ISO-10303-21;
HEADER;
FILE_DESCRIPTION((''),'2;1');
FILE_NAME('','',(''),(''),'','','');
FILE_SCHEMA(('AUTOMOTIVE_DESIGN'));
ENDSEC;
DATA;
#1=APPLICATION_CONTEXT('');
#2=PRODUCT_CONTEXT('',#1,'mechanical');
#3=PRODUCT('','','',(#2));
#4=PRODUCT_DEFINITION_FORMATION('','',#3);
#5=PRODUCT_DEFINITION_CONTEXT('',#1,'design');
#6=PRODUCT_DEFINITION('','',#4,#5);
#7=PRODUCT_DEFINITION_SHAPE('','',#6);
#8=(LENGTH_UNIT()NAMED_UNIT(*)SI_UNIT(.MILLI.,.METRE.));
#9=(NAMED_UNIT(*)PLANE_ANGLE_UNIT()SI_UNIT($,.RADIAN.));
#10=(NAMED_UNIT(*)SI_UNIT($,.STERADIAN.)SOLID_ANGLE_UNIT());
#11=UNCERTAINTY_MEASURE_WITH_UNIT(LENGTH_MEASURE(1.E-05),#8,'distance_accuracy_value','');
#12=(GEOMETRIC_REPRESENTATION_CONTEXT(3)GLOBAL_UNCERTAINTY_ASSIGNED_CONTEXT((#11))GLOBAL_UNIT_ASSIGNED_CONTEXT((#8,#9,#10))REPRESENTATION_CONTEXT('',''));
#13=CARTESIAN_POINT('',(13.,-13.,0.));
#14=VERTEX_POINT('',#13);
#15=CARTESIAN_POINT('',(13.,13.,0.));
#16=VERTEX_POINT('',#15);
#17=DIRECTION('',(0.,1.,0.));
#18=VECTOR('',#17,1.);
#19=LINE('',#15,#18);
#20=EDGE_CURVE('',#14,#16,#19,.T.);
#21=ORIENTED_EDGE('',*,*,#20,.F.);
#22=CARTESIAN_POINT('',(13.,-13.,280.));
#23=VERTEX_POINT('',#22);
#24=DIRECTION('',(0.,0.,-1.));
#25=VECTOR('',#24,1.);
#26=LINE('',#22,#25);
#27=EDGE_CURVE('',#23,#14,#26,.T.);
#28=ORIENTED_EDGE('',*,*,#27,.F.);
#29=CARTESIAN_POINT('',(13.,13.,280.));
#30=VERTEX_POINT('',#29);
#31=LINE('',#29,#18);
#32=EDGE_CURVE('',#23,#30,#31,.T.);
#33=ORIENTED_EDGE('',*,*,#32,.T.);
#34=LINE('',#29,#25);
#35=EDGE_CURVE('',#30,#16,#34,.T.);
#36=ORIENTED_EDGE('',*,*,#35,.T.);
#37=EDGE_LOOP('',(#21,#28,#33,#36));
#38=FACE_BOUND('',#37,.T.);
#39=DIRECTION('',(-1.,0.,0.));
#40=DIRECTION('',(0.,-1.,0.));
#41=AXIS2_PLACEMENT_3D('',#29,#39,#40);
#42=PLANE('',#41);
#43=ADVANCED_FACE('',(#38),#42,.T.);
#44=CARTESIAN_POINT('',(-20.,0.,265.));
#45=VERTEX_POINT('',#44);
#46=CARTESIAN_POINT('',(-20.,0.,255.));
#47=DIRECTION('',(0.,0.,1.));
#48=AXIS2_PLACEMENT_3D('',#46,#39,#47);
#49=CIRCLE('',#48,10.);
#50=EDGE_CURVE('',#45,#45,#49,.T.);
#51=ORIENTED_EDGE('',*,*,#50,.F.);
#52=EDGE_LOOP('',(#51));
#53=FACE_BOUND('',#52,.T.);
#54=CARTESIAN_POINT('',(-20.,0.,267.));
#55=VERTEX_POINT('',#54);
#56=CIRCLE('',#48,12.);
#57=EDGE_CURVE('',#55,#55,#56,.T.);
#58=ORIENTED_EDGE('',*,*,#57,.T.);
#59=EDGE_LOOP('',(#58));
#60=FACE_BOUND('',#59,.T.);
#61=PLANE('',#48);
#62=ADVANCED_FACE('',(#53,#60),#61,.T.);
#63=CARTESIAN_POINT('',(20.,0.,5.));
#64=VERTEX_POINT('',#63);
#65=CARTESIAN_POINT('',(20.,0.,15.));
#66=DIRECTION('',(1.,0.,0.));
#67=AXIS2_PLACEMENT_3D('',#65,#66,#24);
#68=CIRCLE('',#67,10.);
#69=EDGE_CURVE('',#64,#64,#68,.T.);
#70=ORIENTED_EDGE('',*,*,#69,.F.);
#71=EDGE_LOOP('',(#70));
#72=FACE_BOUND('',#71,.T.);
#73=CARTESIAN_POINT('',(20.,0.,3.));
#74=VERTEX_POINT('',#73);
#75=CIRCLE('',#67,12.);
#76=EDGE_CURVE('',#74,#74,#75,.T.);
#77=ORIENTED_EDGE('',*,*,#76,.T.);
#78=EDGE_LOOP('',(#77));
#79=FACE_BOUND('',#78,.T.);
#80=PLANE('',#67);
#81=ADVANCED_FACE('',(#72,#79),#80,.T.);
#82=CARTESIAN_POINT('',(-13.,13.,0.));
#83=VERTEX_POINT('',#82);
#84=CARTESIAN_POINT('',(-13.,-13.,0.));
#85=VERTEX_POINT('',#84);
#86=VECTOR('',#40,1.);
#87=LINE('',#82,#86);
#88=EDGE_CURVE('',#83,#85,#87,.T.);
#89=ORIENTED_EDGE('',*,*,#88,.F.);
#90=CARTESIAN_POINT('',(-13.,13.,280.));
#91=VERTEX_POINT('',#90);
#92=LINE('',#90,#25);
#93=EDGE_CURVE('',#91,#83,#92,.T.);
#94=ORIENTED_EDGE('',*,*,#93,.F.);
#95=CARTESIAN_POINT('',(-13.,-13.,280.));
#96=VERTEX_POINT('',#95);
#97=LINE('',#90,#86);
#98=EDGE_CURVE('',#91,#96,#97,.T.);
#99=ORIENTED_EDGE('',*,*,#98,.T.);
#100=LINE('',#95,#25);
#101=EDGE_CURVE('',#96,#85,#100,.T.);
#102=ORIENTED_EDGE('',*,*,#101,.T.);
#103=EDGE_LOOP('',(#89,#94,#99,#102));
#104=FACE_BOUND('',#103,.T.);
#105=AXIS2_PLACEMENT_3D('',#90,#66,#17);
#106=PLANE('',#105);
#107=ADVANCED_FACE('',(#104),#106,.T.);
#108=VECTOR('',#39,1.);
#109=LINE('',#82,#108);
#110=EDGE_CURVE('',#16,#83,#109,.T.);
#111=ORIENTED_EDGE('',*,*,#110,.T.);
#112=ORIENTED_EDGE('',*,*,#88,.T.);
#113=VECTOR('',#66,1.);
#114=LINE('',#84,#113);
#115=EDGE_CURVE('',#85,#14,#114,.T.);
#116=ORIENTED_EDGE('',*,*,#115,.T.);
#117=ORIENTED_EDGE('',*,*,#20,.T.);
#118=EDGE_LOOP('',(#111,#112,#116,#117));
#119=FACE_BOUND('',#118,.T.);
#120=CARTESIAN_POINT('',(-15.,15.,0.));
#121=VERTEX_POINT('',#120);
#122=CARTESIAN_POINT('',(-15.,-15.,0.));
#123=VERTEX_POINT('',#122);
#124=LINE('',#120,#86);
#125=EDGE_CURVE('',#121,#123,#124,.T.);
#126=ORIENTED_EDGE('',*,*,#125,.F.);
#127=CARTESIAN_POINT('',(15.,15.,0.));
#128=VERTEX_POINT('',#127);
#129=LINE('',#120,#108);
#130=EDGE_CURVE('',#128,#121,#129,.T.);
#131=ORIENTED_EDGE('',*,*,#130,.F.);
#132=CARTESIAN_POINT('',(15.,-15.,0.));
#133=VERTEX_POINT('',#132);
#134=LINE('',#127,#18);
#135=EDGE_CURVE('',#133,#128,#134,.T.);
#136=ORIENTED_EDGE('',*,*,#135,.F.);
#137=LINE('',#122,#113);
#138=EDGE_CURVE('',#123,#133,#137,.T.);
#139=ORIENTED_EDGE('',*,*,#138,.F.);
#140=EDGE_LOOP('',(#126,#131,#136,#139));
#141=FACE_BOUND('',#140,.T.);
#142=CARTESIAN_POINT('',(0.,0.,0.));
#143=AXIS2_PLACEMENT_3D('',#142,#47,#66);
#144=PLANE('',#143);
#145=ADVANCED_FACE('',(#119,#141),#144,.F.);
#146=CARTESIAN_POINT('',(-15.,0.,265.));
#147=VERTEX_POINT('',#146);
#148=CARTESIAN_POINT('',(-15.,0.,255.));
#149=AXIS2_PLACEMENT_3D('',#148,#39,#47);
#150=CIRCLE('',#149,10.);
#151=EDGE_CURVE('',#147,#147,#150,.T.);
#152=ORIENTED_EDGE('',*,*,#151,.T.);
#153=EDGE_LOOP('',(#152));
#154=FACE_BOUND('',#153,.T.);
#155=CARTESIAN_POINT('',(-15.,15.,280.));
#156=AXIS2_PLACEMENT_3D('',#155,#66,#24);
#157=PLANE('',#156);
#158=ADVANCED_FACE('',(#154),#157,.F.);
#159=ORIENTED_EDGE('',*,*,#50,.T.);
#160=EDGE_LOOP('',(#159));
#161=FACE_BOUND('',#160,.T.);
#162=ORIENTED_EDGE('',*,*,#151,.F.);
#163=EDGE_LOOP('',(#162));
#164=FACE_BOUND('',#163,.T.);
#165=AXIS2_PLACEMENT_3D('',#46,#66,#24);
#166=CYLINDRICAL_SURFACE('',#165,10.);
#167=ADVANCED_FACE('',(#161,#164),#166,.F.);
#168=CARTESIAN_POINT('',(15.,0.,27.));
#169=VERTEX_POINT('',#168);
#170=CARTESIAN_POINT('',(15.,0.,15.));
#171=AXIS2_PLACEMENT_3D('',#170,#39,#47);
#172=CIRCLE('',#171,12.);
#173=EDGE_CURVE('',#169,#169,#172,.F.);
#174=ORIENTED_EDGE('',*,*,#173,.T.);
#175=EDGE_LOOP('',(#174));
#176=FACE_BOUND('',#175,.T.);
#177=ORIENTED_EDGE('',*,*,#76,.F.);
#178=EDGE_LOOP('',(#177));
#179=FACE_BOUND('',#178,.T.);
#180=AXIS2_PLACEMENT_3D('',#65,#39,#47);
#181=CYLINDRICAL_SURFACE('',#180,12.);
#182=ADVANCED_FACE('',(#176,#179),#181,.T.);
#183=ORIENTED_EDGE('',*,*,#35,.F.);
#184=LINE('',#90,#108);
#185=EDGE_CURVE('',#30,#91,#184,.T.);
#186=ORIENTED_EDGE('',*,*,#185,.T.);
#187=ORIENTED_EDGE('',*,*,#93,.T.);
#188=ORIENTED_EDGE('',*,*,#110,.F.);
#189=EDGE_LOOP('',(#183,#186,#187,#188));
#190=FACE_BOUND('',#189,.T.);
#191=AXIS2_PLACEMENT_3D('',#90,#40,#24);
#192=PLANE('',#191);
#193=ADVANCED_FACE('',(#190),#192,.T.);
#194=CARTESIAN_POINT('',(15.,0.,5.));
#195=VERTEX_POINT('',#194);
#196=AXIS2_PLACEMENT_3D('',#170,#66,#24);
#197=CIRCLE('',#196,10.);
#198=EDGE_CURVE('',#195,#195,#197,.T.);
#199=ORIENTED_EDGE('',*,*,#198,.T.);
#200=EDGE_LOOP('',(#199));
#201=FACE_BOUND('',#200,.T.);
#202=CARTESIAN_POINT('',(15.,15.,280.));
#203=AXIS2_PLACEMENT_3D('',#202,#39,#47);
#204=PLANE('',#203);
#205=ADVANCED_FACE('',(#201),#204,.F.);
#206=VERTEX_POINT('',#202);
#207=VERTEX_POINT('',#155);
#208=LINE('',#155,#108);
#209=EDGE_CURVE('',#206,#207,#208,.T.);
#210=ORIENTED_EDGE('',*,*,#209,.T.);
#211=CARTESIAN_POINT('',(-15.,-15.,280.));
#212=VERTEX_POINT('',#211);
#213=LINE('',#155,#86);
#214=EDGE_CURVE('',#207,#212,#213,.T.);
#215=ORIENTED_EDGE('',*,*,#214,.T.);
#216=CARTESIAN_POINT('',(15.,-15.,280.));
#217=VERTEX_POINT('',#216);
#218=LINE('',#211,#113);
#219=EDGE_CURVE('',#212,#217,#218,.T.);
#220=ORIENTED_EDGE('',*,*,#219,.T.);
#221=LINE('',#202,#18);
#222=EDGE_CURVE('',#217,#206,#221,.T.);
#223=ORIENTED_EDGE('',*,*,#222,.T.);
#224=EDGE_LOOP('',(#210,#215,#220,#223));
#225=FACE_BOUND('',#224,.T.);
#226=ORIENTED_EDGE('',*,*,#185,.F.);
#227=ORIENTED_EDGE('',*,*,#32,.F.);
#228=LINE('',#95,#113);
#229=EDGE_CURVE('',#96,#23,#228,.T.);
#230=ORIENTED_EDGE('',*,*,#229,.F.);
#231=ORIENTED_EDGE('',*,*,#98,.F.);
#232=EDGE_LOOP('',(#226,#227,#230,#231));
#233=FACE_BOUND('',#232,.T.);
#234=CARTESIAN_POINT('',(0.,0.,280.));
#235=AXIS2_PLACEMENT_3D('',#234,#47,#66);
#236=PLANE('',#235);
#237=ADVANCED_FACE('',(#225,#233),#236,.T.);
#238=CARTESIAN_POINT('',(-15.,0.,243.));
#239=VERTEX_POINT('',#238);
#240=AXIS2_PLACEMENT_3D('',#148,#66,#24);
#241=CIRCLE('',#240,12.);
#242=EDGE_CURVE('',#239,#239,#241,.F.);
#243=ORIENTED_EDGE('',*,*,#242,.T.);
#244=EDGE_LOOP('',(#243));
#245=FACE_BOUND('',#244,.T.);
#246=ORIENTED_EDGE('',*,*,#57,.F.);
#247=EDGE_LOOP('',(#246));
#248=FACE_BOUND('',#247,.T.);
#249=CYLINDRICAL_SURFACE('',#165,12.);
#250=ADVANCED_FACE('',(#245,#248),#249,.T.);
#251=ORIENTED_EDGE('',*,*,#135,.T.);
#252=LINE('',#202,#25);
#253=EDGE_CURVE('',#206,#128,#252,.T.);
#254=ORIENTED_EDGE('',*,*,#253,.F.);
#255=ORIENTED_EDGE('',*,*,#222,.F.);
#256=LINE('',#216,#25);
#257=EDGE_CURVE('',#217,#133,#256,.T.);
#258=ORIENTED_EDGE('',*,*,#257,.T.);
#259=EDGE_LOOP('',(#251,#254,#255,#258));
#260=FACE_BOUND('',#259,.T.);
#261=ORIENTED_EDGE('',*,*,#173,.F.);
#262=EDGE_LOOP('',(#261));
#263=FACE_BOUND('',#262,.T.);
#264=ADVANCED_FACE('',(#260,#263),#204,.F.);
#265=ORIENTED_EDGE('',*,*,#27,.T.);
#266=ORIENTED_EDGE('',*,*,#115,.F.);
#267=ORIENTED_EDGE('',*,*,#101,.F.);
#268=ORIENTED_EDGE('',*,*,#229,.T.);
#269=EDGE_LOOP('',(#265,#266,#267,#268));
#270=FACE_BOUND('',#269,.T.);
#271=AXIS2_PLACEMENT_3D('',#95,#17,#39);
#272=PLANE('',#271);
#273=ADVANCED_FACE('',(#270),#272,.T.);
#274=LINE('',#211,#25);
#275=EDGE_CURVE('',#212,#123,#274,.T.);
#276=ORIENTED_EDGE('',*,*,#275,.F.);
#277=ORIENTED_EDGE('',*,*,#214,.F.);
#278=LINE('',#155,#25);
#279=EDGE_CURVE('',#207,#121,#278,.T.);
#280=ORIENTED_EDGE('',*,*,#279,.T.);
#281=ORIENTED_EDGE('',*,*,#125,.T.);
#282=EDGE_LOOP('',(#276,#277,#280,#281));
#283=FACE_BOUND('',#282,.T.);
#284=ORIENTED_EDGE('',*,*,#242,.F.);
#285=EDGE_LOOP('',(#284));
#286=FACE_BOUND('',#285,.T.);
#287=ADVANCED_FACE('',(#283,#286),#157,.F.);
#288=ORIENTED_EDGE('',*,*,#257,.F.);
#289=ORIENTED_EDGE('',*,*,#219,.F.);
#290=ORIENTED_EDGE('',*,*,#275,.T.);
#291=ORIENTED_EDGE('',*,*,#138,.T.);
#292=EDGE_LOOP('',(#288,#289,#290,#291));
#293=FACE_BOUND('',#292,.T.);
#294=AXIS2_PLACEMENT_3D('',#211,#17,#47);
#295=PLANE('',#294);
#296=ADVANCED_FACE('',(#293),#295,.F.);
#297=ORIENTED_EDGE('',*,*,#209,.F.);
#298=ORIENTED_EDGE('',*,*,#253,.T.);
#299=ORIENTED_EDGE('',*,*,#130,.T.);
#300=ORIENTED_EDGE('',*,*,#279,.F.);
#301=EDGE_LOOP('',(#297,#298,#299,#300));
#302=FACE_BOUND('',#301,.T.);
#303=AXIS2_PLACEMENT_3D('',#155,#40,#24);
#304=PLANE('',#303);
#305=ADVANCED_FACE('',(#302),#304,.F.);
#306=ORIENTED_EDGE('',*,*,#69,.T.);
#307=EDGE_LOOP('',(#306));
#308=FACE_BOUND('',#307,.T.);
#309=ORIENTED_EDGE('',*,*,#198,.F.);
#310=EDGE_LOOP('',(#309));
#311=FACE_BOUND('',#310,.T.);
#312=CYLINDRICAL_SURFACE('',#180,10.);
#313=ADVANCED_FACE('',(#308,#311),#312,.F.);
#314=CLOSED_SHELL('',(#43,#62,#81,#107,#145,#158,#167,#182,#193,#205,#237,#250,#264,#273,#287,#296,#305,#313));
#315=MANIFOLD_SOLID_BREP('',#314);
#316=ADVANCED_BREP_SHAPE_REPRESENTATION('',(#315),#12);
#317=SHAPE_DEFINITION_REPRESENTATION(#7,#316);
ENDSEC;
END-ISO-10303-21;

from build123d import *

# Parameters (mm, degrees)
SKETCH1_W           = 30
SKETCH1_H           = 30
SKETCH1_W_2         = 26
SKETCH1_H_2         = 26
BOSS_EXTRUDE1_DEPTH = 280
SKETCH2_R           = 12
SKETCH2_R_2         = 10
BOSS_EXTRUDE2_DEPTH = 5
SKETCH3_R           = 12
SKETCH3_R_2         = 10
BOSS_EXTRUDE3_DEPTH = 5


with BuildPart() as part:
    # Sketch1 → Boss-Extrude1 (new body)
    with BuildSketch(Plane.XY):
        Rectangle(SKETCH1_W, SKETCH1_H)
        Rectangle(SKETCH1_W_2, SKETCH1_H_2, mode=Mode.SUBTRACT)
    extrude(amount=BOSS_EXTRUDE1_DEPTH)

    # Sketch2 → Boss-Extrude2 (add)
    with BuildSketch(Plane(origin=(15, 0, 0), x_dir=(0, 0, -1), z_dir=(1, 0, 0))):
        with Locations(Location((-15, 0, 0), (0, 0, 180))):
            Circle(SKETCH2_R)
        with Locations((-15, 0)):
            Circle(SKETCH2_R_2, mode=Mode.SUBTRACT)
    extrude(amount=BOSS_EXTRUDE2_DEPTH)

    # Sketch3 → Boss-Extrude3 (add)
    with BuildSketch(Plane.ZY.offset(15)):
        with Locations(Location((255, 0, 0), (0, 0, 180))):
            Circle(SKETCH3_R)
        with Locations((255, 0)):
            Circle(SKETCH3_R_2, mode=Mode.SUBTRACT)
    extrude(amount=BOSS_EXTRUDE3_DEPTH)


solid = part.part
